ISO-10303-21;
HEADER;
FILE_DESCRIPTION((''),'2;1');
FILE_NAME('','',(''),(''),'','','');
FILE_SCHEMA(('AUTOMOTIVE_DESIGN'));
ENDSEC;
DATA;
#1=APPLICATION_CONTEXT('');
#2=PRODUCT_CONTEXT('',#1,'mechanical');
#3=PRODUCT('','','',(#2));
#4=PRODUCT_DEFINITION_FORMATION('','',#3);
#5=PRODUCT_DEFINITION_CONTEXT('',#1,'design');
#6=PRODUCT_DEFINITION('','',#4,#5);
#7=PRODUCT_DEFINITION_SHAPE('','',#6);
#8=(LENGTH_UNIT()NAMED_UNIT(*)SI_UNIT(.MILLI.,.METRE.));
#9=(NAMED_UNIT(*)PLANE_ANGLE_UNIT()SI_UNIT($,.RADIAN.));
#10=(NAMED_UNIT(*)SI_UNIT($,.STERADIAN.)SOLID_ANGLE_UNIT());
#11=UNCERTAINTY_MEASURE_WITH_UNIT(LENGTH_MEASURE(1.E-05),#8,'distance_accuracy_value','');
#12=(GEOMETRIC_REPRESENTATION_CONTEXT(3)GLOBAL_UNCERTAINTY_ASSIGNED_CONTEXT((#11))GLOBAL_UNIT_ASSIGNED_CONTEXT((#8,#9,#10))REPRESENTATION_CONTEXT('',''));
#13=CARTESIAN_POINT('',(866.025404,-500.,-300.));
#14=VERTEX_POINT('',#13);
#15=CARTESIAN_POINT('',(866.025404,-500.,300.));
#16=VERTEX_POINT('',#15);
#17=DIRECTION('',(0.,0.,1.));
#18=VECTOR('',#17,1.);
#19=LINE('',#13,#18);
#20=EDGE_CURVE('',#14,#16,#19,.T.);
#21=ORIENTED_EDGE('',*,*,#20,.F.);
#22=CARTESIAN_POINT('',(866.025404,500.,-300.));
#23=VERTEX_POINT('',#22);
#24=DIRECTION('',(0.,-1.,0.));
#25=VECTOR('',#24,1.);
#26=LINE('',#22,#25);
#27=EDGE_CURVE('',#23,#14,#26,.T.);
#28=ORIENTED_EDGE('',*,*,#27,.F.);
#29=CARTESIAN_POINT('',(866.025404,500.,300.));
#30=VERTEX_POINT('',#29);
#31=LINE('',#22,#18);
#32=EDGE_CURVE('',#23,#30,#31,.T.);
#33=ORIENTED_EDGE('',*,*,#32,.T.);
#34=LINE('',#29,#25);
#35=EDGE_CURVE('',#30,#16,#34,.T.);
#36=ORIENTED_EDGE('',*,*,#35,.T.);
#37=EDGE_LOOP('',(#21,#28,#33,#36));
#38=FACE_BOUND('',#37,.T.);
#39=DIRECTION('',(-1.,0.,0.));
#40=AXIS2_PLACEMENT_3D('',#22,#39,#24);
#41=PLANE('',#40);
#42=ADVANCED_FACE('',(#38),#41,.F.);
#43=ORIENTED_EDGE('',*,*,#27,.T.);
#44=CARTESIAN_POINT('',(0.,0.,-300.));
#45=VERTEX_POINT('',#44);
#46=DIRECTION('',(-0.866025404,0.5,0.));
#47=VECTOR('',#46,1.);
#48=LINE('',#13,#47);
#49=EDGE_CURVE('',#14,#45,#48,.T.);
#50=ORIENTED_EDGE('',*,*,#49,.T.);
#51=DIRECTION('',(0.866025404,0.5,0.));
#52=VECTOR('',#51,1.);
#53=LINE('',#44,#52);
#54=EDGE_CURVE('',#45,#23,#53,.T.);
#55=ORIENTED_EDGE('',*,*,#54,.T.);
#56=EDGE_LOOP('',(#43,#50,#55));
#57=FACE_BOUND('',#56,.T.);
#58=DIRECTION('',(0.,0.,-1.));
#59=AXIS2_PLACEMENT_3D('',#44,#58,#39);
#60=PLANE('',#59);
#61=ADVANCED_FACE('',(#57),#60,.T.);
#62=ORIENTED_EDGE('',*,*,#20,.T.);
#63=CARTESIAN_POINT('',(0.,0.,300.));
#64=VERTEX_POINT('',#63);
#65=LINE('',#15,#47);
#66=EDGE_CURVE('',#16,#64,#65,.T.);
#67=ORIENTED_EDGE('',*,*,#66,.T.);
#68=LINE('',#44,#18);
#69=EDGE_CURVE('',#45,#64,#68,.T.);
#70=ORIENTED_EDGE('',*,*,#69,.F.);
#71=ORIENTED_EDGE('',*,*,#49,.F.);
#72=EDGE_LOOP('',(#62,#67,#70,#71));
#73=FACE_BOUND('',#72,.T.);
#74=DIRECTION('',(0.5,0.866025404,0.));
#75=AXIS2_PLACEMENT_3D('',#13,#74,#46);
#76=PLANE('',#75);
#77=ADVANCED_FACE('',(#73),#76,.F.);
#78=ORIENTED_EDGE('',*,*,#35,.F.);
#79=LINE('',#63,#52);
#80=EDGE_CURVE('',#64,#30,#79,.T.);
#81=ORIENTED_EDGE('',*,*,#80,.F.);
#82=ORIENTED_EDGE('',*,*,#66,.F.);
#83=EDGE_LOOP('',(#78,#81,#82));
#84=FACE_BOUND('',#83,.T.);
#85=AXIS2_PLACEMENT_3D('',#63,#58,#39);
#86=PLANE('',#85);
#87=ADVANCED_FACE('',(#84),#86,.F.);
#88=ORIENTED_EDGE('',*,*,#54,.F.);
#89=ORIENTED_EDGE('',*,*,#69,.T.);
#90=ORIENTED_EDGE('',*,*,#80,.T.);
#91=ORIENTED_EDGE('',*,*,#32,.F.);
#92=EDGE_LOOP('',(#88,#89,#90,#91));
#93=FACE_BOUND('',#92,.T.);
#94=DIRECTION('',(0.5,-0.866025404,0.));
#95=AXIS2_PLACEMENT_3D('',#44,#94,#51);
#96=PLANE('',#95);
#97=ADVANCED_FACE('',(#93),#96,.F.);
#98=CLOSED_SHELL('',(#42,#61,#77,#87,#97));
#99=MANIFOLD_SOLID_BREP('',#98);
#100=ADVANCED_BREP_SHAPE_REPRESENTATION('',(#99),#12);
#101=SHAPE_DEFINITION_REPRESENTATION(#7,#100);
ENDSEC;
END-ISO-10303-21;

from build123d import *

# Parameters (mm, degrees)
EXTRUDE_1_DEPTH      = 300
EXTRUDE_1_DEPTH_BACK = 300


with BuildPart() as part:
    # ｽｹｯﾁ1 → ﾎﾞｽ - 押し出し1 (new, two sides: drawn at the far end of the back side and taken through both)
    with BuildSketch(Plane.XY.offset(-EXTRUDE_1_DEPTH_BACK)):
        Polygon((0, 0), (866.025403784, 500), (866.025403784, -500), align=None)
    extrude(amount=EXTRUDE_1_DEPTH + EXTRUDE_1_DEPTH_BACK)


solid = part.part
